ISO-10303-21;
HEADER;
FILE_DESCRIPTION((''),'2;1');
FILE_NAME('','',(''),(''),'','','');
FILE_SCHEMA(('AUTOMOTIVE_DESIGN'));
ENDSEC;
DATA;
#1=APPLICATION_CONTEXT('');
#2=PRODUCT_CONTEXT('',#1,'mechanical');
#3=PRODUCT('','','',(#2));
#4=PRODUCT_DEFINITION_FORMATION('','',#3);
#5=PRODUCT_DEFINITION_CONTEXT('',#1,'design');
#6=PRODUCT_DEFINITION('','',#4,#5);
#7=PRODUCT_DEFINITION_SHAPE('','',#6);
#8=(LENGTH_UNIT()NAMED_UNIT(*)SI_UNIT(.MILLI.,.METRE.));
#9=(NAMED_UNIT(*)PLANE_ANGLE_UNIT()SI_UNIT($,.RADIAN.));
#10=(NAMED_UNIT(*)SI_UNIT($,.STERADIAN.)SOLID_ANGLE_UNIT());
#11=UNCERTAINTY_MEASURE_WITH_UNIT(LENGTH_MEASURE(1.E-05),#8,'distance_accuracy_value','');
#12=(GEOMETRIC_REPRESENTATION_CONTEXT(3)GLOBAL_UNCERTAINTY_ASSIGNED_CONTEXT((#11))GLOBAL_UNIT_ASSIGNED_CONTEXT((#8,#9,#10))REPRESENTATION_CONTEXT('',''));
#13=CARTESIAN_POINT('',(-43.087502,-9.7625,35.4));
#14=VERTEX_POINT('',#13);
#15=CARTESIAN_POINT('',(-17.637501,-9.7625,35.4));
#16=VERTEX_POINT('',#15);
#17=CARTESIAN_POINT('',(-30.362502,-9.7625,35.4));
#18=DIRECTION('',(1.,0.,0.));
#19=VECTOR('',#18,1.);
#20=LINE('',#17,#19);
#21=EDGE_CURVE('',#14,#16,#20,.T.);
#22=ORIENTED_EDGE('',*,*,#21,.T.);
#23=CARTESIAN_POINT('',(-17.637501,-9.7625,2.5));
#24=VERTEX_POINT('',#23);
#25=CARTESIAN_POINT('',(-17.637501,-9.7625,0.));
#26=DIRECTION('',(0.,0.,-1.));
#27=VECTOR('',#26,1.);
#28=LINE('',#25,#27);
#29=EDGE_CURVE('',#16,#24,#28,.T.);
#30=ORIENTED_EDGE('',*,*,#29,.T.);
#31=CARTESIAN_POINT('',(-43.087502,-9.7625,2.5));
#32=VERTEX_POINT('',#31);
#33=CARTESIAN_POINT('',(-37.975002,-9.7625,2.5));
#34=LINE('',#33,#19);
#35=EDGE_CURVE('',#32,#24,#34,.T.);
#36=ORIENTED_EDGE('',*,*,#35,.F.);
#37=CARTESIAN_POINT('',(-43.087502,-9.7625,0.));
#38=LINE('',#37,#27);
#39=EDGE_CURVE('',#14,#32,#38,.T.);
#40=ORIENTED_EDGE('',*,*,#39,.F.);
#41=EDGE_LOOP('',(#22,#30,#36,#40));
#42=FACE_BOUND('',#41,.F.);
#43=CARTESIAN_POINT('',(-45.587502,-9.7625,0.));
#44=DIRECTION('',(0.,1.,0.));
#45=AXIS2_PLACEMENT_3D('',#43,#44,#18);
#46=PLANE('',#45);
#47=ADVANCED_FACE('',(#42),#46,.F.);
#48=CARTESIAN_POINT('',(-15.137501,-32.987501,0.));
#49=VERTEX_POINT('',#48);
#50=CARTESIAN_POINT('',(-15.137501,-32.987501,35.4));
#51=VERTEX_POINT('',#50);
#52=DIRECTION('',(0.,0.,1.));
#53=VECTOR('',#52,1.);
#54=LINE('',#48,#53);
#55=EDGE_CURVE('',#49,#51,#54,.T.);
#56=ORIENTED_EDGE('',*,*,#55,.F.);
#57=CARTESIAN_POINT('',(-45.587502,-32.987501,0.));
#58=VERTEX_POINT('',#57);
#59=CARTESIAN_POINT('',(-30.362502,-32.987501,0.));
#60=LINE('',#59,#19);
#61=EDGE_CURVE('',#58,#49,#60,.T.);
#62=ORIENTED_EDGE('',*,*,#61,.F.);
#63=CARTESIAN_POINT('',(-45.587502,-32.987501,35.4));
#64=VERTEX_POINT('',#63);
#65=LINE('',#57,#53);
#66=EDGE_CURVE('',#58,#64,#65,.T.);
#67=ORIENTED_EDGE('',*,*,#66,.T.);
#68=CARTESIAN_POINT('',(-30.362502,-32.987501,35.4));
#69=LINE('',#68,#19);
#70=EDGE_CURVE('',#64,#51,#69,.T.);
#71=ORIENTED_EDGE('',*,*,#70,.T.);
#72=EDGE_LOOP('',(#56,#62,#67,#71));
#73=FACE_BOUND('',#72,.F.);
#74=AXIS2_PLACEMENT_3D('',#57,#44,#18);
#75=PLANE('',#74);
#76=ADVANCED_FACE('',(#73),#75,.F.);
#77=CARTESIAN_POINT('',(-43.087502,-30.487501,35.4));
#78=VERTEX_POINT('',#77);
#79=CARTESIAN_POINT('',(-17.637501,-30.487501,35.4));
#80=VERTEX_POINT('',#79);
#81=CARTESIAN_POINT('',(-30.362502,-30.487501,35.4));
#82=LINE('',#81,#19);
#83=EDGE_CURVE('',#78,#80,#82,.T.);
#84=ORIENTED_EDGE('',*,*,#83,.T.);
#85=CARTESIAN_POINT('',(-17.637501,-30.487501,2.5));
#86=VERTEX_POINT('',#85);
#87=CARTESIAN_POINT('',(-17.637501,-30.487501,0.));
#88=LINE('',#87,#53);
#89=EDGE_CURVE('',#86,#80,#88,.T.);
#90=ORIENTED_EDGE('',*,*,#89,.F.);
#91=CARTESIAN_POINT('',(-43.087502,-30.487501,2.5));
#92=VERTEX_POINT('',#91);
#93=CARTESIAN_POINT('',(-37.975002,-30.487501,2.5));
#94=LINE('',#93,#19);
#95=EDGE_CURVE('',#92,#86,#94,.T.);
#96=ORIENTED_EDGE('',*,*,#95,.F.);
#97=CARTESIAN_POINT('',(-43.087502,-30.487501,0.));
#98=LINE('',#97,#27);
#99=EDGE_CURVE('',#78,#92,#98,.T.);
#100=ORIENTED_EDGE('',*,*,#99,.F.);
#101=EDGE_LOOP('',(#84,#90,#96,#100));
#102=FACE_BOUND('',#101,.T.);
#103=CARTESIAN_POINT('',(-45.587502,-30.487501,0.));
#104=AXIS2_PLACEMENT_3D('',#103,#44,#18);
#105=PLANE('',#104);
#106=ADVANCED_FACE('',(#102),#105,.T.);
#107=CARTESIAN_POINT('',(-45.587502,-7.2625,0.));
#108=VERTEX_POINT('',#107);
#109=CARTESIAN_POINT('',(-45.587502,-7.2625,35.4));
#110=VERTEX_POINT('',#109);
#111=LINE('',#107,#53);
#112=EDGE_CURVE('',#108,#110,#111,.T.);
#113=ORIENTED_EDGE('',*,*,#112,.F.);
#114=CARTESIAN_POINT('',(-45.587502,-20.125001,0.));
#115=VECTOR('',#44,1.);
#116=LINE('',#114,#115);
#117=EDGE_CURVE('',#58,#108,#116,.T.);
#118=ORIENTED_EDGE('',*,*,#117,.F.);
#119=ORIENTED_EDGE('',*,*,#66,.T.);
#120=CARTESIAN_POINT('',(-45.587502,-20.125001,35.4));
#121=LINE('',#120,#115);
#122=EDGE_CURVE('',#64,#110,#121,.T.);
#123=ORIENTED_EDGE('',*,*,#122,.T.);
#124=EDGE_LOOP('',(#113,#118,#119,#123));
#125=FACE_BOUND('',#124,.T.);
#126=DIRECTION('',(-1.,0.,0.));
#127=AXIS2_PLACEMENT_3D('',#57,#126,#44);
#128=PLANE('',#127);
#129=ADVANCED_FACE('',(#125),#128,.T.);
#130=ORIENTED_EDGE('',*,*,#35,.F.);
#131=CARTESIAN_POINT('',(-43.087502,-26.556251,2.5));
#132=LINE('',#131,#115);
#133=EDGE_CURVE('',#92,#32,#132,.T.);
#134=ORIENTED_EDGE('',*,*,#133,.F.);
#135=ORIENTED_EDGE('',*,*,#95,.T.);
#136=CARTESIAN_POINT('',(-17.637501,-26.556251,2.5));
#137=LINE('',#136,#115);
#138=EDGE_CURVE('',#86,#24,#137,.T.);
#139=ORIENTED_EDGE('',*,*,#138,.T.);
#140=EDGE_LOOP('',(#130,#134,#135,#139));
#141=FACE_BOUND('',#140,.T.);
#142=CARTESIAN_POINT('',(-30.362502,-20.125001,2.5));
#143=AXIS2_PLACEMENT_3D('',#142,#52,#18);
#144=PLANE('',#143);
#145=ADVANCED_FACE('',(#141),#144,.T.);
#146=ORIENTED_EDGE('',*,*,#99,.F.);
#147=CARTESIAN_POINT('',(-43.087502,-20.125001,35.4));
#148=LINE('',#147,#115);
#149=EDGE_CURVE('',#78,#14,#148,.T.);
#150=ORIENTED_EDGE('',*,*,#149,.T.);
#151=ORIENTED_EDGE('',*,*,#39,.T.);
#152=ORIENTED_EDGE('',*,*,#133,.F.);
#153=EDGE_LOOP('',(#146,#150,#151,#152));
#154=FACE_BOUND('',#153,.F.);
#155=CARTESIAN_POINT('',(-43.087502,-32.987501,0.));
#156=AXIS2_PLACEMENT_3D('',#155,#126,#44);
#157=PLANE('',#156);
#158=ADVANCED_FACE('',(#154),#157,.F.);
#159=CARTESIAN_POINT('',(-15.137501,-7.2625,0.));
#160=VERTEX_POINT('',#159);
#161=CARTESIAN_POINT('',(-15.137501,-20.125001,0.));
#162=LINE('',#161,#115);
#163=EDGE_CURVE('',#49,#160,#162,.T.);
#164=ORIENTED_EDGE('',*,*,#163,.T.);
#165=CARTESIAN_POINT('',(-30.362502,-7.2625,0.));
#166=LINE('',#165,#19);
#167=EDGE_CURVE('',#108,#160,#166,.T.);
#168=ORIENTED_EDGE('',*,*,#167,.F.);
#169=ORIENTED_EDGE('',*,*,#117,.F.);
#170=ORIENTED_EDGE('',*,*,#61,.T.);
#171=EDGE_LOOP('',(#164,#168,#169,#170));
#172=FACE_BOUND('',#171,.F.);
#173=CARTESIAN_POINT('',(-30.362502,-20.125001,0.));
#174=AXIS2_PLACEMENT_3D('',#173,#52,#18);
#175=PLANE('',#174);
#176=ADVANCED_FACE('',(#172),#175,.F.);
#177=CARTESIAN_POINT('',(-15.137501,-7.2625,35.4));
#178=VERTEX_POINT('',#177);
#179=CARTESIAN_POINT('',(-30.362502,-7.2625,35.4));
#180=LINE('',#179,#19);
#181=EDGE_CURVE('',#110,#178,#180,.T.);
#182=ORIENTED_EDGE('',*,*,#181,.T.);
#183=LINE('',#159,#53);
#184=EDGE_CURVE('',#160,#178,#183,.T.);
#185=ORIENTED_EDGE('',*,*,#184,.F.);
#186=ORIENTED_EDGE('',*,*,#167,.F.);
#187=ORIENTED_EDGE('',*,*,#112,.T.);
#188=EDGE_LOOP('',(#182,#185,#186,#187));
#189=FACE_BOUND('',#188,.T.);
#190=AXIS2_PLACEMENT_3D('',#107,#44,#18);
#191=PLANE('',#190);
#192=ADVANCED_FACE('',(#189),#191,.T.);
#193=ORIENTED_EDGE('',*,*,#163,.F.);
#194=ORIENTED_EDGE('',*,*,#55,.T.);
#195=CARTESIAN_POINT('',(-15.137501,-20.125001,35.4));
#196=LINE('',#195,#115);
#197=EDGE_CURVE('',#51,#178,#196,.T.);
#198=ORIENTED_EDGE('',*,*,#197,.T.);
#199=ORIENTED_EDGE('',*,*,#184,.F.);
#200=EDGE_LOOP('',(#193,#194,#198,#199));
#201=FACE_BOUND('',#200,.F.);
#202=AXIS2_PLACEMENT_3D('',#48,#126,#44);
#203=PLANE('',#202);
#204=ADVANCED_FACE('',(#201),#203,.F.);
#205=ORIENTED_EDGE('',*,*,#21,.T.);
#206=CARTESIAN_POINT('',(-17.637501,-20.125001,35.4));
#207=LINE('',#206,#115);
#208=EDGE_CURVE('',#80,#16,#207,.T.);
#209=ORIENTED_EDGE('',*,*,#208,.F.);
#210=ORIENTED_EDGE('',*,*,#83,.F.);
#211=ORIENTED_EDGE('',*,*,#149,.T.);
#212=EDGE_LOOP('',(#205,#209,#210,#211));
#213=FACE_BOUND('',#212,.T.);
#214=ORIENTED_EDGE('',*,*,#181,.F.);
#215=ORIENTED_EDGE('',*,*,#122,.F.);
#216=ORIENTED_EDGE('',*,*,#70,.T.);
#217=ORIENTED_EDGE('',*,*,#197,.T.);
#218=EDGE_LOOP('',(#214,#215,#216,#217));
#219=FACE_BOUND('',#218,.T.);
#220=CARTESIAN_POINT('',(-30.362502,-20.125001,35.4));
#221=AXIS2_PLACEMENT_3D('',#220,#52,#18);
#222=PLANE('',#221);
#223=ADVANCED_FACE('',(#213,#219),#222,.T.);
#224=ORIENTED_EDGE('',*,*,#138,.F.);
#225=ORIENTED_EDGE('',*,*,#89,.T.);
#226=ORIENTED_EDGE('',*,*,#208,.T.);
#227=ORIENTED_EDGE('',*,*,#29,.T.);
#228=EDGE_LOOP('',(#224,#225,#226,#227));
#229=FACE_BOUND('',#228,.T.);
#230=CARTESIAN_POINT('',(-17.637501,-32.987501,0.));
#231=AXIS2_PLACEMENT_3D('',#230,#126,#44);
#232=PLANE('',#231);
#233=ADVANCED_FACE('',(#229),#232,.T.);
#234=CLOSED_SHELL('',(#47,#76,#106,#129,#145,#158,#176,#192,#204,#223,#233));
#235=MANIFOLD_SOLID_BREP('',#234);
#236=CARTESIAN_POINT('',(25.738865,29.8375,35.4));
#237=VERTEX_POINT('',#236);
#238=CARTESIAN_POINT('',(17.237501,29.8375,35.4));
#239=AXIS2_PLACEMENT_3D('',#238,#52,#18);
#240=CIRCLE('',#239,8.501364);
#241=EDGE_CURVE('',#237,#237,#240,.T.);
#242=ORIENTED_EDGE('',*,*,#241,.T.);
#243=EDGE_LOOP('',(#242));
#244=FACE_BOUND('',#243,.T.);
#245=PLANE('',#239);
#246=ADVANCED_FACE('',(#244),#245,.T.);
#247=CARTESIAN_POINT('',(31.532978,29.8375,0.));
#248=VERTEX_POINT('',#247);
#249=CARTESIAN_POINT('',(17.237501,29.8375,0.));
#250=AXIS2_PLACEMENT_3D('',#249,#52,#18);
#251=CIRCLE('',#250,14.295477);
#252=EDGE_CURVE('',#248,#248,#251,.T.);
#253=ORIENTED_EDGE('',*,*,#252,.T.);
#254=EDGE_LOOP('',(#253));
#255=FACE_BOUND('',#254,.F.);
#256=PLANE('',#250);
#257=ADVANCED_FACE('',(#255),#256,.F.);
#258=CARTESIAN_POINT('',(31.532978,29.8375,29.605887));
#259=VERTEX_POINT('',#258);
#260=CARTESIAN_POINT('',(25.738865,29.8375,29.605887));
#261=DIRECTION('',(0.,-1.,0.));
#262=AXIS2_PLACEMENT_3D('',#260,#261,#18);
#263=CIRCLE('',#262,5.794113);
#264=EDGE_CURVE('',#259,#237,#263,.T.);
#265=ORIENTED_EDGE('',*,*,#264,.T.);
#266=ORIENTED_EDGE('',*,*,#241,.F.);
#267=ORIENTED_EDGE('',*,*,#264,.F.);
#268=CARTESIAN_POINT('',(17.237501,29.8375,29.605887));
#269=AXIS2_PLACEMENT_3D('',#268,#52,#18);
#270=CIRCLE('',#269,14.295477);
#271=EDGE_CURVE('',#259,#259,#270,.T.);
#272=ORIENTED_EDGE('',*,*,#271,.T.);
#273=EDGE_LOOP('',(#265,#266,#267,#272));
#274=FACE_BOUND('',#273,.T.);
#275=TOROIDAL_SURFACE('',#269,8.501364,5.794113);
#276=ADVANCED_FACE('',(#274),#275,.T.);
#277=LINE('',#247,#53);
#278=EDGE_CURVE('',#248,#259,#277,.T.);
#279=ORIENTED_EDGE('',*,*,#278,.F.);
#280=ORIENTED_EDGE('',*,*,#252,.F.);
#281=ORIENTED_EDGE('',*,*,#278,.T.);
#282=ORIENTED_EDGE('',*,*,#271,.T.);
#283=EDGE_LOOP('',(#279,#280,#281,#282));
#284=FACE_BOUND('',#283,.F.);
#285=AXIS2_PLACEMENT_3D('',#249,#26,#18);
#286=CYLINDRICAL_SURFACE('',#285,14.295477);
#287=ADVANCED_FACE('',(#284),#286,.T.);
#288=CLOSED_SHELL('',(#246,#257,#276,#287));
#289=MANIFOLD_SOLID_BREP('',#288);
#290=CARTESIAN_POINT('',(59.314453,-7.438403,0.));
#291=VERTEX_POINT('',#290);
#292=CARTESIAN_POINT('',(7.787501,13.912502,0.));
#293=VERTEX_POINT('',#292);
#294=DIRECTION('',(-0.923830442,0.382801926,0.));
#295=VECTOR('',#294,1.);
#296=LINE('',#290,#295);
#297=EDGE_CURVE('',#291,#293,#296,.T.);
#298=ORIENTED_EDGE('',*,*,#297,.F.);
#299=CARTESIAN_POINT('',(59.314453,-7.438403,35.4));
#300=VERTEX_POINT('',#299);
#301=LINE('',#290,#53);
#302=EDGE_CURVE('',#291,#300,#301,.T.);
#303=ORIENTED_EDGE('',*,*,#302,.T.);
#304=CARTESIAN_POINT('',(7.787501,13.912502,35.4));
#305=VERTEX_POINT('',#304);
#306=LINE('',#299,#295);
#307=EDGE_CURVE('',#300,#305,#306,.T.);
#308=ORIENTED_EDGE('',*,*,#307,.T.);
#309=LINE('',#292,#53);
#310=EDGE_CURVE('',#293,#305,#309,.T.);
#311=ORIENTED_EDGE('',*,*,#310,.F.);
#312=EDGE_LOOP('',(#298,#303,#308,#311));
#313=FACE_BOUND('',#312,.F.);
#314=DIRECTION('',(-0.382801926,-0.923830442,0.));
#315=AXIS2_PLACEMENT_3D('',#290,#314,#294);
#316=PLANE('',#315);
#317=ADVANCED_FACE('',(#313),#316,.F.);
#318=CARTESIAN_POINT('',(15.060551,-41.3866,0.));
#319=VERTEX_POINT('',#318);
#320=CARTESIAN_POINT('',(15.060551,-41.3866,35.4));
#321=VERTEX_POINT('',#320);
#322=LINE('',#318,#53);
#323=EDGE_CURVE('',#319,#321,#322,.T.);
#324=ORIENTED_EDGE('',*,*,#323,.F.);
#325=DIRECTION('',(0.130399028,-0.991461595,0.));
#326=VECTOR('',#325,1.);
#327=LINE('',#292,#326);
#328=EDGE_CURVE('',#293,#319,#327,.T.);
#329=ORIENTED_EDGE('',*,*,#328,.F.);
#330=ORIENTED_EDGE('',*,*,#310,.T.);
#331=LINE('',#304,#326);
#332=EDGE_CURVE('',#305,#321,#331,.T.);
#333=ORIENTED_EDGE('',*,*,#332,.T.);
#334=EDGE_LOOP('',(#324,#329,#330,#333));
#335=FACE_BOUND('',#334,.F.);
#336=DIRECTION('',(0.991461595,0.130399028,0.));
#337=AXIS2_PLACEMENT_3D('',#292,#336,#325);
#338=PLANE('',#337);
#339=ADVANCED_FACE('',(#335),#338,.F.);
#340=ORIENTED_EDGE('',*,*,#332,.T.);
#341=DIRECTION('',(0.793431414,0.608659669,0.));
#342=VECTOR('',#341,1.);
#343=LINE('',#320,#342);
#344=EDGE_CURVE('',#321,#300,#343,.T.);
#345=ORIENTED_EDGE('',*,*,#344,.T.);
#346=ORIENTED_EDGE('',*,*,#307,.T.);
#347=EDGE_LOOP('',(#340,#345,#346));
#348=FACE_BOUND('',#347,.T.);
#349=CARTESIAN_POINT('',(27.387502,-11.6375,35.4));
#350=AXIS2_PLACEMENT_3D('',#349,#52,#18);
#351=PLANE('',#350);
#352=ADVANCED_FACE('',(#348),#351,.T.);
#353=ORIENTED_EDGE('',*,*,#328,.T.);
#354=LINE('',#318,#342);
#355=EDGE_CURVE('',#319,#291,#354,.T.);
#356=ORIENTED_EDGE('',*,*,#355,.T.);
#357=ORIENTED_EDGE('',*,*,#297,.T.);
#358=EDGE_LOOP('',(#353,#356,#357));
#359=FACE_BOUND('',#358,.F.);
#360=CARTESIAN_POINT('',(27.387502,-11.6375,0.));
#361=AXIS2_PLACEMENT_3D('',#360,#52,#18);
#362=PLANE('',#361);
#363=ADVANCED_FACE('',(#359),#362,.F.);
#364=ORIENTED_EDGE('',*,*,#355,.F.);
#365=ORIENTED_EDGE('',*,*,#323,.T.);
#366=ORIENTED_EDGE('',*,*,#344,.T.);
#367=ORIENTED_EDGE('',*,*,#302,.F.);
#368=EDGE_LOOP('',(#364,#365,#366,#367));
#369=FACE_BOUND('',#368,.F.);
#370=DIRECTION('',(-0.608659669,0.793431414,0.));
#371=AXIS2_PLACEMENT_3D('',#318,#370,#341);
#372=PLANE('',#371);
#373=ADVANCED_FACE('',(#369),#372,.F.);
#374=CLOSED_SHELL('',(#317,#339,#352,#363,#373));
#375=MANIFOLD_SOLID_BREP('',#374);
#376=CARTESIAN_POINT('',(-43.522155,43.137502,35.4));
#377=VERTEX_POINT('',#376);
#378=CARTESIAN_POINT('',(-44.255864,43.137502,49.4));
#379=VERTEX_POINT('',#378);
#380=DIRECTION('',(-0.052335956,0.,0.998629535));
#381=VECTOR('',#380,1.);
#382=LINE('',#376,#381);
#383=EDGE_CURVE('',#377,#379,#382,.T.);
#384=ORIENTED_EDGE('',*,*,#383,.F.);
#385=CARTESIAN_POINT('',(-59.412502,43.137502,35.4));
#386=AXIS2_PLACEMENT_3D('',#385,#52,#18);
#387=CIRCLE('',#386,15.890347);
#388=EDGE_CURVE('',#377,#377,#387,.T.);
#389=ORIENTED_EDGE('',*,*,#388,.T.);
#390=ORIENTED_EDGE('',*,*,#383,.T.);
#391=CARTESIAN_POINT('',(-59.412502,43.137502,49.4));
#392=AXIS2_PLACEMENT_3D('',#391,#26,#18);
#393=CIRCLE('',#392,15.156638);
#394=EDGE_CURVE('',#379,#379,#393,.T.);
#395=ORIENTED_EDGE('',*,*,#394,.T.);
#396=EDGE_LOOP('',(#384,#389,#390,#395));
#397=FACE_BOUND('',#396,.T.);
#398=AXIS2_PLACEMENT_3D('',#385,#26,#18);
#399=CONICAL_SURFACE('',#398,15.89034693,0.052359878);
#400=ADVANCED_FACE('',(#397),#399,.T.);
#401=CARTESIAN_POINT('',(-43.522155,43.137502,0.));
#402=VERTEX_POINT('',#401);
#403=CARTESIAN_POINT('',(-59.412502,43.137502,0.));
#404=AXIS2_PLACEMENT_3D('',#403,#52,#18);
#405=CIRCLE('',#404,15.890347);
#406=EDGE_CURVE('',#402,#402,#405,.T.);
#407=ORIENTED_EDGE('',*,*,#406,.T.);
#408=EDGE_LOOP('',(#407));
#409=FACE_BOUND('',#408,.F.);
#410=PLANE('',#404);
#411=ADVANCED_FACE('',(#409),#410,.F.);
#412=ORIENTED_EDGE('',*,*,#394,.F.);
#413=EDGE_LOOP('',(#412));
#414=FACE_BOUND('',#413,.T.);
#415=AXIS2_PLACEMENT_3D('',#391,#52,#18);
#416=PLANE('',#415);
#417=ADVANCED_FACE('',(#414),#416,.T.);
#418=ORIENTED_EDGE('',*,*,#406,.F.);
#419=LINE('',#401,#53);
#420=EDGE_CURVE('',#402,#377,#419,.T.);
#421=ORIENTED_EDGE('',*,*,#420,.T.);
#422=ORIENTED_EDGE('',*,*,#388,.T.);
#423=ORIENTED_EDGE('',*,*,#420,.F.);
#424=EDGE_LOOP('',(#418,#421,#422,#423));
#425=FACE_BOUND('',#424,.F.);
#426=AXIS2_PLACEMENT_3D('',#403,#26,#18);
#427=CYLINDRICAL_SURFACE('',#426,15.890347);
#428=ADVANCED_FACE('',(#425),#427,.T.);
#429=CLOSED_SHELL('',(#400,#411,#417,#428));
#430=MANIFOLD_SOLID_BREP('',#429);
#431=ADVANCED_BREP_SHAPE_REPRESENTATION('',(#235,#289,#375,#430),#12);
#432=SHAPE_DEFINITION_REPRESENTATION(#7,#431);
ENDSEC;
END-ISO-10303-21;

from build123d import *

# Parameters (mm, degrees)
F0_R     = 15.8903469299
F1_DEPTH = 35.4
F0_R_2   = 14.2954767942
F0_W     = 30.450001359
F0_H     = 25.7250014693
F2_R     = 15.8903469299
F3_DEPTH = 14
F3_TAPER = 3
F4_T     = -2.5
F5_R     = 5.7941125497


with BuildPart() as f1:
    # F0 (on Top) → F1 (new body)
    with BuildSketch(Plane.XY):
        with Locations((-59.4125017524, 43.1375019252)):
            Circle(F0_R)
    extrude(amount=F1_DEPTH)

    # F2 (on face) → F3 (join)
    with BuildSketch(Plane.XY.offset(35.4)):
        with Locations((-59.4125017524, 43.1375019252)):
            Circle(F2_R)
    extrude(amount=F3_DEPTH, taper=F3_TAPER)


with BuildPart() as f1b:
    # F0 (on Top) → F1, piece 2 (new body)
    with BuildSketch(Plane.XY):
        with Locations((17.2375012189, 29.837500304)):
            Circle(F0_R_2)
    extrude(amount=F1_DEPTH)

    # F5
    f5_edges = [f1b.edges().sort_by_distance(p)[0] for p in [
        (2.942024, 29.8375, 35.4),
    ]]
    fillet(f5_edges, radius=F5_R)


with BuildPart() as f1c:
    # F0 (on Top) → F1, piece 3 (new body)
    with BuildSketch(Plane.XY):
        with Locations((-30.3625017405, -20.1250007376)):
            Rectangle(F0_W, F0_H)
    extrude(amount=F1_DEPTH)

    # F4
    f4_openings = [f1c.faces().sort_by_distance(p)[0] for p in [
        (-30.362502, -20.125001, 35.4),
    ]]
    offset(amount=F4_T, openings=f4_openings)


with BuildPart() as f1d:
    # F0 (on Top) → F1, piece 4 (new body)
    with BuildSketch(Plane.XY):
        Polygon((15.0605507883, -41.3865997189), (59.314452788, -7.4384034879), (7.7875014395, 13.9125017449), align=None)
    extrude(amount=F1_DEPTH)


solid = Compound([f1.part, f1b.part, f1c.part, f1d.part])
